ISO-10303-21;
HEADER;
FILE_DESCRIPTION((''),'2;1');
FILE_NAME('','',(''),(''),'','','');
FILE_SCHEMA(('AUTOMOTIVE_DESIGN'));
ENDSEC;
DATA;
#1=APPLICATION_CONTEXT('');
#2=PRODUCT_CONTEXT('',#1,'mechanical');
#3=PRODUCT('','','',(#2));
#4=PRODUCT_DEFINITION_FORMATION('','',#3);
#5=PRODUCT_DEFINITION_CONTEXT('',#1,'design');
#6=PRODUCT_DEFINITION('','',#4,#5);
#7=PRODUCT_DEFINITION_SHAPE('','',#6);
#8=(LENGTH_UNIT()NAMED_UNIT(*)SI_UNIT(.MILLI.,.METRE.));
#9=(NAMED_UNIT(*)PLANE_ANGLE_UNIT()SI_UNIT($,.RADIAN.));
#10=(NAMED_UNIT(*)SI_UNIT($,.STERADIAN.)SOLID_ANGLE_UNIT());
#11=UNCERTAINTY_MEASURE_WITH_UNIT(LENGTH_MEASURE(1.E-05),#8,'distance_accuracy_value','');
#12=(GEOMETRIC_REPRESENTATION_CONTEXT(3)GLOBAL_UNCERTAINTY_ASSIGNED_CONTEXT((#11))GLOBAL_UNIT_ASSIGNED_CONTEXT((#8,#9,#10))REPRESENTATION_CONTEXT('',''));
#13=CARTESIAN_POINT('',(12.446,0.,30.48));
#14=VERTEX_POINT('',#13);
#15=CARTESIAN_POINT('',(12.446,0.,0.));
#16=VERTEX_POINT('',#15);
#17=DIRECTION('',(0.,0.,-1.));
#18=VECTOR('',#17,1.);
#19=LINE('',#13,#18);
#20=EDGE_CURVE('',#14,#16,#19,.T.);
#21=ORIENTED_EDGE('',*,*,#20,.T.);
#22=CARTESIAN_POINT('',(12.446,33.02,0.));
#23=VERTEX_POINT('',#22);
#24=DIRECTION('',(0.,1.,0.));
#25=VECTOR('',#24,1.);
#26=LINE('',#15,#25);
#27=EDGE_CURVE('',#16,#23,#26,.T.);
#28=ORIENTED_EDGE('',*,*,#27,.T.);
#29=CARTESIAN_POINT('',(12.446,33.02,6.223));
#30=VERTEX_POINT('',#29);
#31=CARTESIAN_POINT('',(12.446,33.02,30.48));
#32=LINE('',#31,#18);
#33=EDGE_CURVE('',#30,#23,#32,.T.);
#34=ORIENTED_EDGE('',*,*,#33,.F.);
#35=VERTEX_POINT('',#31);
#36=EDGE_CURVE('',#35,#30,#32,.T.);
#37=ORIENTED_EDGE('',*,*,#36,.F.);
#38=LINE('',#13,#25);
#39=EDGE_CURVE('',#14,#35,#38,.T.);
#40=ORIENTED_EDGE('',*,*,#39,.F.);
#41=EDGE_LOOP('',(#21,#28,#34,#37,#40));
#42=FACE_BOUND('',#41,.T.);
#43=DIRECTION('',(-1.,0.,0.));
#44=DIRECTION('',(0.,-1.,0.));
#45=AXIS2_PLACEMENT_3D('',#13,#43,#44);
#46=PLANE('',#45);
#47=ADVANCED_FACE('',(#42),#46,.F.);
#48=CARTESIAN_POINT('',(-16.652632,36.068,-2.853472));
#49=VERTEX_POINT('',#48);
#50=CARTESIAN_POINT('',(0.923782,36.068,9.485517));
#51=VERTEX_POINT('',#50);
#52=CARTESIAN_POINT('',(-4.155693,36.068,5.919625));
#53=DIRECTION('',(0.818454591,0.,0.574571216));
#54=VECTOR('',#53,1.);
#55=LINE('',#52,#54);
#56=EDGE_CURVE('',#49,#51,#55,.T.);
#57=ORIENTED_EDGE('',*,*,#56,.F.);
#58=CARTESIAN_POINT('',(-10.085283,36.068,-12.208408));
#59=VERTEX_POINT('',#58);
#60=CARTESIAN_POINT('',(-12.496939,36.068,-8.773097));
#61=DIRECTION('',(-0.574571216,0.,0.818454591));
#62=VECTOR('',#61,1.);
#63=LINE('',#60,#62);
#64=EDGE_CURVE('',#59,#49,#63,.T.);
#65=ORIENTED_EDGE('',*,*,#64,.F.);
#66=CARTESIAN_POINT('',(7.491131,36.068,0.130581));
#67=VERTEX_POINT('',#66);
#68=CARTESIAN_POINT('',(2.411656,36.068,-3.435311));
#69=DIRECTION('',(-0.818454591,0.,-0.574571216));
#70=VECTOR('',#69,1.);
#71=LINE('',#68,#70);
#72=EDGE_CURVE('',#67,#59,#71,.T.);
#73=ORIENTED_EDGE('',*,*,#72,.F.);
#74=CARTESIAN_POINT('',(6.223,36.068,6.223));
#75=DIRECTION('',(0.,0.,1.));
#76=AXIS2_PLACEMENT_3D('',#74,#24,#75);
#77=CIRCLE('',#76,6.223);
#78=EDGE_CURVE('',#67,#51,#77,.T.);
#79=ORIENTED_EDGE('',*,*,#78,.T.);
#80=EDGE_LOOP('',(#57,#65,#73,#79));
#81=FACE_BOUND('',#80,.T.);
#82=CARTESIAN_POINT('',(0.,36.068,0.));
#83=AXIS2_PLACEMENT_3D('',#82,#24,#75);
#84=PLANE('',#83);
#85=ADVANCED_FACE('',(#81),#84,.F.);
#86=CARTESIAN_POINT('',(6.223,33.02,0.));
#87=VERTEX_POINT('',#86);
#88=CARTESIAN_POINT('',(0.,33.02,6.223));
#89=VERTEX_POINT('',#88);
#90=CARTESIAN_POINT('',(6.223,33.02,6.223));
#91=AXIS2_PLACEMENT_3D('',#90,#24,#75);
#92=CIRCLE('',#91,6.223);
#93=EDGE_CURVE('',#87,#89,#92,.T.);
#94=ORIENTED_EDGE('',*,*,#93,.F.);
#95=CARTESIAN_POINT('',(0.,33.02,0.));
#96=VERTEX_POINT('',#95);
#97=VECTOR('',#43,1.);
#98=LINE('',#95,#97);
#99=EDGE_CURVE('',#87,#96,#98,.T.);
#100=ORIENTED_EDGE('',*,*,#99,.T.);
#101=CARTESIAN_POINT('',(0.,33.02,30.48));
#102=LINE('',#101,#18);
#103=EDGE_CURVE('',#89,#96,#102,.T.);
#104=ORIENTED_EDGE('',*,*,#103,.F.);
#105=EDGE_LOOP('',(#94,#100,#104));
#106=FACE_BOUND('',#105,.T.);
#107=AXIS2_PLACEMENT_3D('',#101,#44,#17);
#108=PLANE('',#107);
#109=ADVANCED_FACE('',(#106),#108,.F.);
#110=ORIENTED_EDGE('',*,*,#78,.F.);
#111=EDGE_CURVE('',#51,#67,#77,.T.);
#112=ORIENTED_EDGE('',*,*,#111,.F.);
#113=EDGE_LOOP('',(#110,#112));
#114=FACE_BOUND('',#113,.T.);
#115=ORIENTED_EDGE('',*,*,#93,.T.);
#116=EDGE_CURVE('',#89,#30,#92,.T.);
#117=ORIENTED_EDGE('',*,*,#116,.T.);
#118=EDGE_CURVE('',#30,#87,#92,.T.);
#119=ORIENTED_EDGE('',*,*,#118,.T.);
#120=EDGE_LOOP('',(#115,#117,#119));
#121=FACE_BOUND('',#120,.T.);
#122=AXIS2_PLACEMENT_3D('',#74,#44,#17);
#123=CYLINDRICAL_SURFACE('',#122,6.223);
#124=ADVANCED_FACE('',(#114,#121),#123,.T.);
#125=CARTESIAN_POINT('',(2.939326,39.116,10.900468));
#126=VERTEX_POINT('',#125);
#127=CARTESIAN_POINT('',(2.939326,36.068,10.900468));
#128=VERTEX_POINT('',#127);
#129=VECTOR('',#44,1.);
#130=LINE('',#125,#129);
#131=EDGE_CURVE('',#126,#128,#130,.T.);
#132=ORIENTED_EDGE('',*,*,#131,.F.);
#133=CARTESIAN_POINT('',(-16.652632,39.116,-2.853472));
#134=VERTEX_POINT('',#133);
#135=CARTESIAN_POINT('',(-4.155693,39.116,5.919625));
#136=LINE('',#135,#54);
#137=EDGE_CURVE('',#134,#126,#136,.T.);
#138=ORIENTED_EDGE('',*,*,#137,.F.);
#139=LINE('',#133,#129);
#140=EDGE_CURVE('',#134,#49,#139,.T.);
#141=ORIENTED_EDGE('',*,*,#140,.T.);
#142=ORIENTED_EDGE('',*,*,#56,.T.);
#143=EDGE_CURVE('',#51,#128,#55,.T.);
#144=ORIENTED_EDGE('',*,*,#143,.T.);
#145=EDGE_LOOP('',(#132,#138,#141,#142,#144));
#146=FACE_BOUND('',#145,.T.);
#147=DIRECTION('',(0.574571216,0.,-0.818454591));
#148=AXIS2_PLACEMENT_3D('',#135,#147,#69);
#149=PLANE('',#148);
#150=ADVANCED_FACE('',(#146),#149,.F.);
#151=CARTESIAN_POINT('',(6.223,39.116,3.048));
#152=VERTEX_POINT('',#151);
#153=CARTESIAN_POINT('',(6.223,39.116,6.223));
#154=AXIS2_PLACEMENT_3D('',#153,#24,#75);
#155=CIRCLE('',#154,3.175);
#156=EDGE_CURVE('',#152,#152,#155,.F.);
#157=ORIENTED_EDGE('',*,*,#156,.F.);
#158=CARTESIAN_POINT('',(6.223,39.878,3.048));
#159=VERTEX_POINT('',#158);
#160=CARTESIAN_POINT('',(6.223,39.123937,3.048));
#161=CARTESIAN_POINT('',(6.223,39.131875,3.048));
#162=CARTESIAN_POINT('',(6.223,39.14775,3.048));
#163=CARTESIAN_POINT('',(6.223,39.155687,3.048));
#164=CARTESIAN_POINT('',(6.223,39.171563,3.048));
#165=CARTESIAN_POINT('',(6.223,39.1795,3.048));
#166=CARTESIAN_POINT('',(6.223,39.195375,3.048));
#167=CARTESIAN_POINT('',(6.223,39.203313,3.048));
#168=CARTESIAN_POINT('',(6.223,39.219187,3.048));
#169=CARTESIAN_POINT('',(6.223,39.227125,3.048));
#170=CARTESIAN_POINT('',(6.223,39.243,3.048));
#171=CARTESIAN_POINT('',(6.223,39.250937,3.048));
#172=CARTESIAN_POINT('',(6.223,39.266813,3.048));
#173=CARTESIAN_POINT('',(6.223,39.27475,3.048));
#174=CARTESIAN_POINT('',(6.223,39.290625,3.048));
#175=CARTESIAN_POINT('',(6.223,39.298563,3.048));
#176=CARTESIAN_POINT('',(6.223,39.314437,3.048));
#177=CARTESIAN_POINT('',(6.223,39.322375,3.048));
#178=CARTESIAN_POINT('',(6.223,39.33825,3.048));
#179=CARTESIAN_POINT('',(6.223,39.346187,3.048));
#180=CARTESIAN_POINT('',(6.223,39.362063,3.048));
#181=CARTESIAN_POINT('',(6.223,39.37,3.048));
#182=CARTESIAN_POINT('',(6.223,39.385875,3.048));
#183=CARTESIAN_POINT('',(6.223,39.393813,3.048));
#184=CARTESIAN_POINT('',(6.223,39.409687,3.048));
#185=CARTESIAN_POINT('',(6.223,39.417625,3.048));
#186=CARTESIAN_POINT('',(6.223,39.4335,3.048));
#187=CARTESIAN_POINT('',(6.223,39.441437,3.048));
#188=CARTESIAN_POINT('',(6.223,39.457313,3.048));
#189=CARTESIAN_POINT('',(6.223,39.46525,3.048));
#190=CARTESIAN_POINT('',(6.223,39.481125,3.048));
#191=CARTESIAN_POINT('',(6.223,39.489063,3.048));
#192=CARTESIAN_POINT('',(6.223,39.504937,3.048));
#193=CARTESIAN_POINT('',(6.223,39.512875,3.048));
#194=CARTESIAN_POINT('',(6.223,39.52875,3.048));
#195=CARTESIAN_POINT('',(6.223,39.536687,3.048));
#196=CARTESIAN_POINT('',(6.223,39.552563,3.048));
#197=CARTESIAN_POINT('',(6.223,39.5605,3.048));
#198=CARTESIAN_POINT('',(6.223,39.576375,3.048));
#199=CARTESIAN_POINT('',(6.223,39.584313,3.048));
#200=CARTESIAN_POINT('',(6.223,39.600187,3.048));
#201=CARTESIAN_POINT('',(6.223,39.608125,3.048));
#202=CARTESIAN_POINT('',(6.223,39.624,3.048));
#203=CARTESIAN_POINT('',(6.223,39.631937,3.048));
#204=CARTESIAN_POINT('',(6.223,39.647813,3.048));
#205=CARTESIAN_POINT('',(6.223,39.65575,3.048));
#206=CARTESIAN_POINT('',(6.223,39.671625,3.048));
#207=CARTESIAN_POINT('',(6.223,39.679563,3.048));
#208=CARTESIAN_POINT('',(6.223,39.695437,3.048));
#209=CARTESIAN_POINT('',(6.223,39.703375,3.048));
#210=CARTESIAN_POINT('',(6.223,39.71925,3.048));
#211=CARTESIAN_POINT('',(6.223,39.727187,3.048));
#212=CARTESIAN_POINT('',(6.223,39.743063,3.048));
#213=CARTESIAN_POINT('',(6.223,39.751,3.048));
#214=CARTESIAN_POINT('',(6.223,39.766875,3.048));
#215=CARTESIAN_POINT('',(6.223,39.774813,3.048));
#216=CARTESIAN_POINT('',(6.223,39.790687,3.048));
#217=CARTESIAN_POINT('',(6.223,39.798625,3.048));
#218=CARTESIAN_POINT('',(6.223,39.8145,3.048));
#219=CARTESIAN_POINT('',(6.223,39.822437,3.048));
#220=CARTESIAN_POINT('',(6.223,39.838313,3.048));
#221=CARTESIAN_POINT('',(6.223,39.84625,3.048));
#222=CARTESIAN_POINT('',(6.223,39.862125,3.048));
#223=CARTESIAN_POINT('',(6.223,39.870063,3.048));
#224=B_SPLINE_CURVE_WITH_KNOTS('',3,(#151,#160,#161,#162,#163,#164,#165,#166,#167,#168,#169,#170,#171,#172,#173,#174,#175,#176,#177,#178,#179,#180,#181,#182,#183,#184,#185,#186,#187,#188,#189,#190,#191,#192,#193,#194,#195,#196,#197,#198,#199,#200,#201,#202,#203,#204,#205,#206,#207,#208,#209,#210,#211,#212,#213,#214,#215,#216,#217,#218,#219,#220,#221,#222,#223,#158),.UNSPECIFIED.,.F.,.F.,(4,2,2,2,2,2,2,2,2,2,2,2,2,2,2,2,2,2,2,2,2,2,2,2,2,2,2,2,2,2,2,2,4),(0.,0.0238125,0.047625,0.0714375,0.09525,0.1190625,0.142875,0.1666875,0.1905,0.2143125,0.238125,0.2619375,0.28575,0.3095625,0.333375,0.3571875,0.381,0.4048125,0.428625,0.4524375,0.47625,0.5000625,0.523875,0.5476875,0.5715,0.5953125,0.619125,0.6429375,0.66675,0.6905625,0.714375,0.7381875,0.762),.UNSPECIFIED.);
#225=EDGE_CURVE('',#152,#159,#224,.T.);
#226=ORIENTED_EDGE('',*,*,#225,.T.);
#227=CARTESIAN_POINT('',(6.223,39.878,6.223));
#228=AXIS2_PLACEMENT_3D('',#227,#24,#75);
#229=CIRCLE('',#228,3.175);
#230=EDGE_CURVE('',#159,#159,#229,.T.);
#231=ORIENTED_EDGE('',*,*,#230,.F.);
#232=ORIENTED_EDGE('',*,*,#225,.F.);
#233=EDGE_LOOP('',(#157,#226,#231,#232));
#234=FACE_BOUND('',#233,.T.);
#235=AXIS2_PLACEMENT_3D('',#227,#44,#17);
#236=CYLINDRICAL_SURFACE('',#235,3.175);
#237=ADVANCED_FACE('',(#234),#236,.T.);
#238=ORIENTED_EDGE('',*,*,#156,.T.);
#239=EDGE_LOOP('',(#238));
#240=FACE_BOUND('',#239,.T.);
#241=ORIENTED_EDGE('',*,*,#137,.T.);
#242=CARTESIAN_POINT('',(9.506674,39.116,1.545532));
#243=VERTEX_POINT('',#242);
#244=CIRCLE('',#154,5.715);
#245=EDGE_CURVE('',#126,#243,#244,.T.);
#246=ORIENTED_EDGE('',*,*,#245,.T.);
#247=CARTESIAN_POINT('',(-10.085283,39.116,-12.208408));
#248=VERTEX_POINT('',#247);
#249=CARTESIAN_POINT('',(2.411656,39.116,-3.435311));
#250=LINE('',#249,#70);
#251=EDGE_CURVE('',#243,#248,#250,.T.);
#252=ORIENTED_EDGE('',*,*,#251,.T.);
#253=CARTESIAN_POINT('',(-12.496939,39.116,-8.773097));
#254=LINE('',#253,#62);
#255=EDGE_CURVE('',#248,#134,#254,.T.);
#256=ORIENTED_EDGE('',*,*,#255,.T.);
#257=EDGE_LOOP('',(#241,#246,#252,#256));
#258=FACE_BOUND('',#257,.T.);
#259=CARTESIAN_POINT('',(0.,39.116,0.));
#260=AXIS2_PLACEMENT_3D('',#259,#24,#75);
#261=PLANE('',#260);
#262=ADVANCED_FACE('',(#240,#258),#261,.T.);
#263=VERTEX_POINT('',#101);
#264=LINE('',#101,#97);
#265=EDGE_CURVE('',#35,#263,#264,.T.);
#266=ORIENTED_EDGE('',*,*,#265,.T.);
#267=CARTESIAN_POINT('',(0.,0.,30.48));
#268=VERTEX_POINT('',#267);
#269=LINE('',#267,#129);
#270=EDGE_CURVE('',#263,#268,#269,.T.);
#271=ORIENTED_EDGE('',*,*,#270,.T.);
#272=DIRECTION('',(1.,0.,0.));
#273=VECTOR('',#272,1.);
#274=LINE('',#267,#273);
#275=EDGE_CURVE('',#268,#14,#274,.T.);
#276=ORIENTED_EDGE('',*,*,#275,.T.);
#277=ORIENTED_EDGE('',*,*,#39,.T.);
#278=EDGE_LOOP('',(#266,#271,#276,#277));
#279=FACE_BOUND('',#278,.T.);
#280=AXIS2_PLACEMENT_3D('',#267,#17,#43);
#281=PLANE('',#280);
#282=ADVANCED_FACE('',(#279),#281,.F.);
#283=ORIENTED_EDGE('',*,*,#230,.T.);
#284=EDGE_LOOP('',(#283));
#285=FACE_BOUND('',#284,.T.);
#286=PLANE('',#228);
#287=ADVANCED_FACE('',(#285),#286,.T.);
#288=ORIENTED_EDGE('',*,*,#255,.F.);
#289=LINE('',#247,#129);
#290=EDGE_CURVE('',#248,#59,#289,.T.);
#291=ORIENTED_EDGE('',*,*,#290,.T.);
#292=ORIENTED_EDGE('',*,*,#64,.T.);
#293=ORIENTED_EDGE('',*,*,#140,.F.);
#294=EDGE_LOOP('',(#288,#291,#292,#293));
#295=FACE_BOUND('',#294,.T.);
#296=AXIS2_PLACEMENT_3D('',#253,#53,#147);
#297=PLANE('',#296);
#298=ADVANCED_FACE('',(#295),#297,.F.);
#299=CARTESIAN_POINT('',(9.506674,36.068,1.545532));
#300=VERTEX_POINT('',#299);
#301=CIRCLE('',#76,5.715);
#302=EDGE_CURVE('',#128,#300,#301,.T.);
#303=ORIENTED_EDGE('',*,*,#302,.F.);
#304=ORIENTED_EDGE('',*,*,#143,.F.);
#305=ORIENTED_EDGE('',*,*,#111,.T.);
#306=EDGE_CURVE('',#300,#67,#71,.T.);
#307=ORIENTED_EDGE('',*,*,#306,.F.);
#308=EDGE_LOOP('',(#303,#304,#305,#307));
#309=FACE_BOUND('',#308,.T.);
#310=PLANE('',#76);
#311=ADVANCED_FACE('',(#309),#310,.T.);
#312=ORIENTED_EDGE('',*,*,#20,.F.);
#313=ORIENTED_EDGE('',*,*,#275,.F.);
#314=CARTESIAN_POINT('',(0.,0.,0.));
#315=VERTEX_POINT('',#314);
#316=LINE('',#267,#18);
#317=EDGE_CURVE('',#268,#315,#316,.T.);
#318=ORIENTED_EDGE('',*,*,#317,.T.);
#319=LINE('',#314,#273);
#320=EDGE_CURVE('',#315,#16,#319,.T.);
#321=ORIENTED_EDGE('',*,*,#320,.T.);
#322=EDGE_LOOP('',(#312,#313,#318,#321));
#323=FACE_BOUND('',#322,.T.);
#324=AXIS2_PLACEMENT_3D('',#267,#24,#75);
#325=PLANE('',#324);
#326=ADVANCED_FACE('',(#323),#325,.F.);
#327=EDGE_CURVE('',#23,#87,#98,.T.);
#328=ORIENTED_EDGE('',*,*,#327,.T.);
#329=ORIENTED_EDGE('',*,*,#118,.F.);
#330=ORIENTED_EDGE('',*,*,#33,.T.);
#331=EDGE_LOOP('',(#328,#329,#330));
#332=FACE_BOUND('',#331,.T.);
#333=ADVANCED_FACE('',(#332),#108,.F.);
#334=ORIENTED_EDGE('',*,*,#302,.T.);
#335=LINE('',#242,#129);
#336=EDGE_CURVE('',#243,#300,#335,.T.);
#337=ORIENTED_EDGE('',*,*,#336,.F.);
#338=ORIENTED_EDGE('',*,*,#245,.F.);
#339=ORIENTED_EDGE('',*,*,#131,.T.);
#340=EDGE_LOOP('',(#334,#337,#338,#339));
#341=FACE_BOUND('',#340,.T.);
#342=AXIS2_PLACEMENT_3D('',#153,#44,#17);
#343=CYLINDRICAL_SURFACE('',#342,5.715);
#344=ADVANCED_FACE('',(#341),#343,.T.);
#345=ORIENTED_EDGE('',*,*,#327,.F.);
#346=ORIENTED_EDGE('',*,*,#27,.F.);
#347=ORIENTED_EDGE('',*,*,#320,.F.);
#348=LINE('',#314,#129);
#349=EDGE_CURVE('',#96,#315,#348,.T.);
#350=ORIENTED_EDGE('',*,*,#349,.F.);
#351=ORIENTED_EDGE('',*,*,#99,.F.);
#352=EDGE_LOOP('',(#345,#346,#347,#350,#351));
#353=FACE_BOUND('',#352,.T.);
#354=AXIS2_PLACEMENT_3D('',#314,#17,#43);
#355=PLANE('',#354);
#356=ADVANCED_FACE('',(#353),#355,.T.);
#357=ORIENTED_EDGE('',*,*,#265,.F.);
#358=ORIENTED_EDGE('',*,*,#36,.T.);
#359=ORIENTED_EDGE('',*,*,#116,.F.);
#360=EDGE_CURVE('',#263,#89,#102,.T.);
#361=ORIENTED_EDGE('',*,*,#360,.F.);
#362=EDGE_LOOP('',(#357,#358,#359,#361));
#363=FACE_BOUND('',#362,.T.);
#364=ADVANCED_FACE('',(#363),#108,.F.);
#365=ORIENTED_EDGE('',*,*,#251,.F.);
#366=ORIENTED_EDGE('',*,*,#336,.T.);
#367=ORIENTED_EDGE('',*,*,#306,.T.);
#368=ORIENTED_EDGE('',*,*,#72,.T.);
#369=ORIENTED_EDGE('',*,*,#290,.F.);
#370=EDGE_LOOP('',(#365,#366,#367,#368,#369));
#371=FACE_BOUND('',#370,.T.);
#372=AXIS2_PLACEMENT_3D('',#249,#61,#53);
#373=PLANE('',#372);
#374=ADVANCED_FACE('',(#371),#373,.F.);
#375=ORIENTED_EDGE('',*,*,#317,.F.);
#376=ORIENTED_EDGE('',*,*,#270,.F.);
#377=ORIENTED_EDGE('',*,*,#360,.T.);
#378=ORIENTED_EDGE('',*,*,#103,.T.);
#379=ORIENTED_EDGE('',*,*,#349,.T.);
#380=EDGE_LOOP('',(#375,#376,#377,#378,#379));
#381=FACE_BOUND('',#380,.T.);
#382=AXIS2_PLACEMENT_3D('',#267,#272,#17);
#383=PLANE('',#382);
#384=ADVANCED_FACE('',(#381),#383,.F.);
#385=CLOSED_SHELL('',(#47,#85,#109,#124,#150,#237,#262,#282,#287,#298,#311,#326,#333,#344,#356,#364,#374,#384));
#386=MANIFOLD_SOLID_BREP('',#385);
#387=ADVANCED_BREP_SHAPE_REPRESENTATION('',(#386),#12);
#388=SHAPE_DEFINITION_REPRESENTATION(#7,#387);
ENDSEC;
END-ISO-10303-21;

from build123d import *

# Parameters (mm, degrees)
SKETCH1_W           = 12.446
SKETCH1_H           = 33.02
BOSS_EXTRUDE1_DEPTH = 30.48
SKETCH3_R           = 6.223
BOSS_EXTRUDE2_DEPTH = 3.048
SKETCH4_R           = 3.175
BOSS_EXTRUDE3_DEPTH = 3.81
SKETCH5_R           = 5.715
SKETCH5_R_2         = 3.175
BOSS_EXTRUDE5_DEPTH = 3.048


with BuildPart() as part:
    # Sketch1 → Boss-Extrude1 (new body)
    with BuildSketch(Plane.XY):
        with Locations((6.223, 16.51)):
            Rectangle(SKETCH1_W, SKETCH1_H)
    extrude(amount=BOSS_EXTRUDE1_DEPTH)

    # Sketch3 → Boss-Extrude2 (add)
    with BuildSketch(Plane(origin=(0, 33.02, 0), x_dir=(1, 0, 0), z_dir=(0, 1, 0))):
        with Locations(Location((6.223, -6.223, 0), (0, 0, 90))):
            Circle(SKETCH3_R)
    extrude(amount=BOSS_EXTRUDE2_DEPTH)

    # Sketch4 → Boss-Extrude3 (add)
    with BuildSketch(Plane(origin=(0, 36.068, 0), x_dir=(1, 0, 0), z_dir=(0, 1, 0))):
        with Locations(Location((6.223, -6.223, 0), (0, 0, 90))):
            Circle(SKETCH4_R)
    extrude(amount=BOSS_EXTRUDE3_DEPTH)

    # Sketch5 → Boss-Extrude5 (add)
    # profile 1 of 3: a face of its own
    with BuildSketch(Plane(origin=(0, 36.068, 0), x_dir=(1, 0, 0), z_dir=(0, 1, 0))):
        with Locations((6.223, -6.223)):
            Circle(SKETCH5_R)
        with Locations(Location((6.223, -6.223, 0), (0, 0, 90))):
            Circle(SKETCH5_R_2, mode=Mode.SUBTRACT)
    # profile 2 of 3: a face of its own
    with BuildSketch(Plane(origin=(0, 36.068, 0), x_dir=(1, 0, 0), z_dir=(0, 1, 0))):
        with BuildLine():
            ThreePointArc((0.923781736, -9.485516634), (1.129757079, -2.647443323), (7.491130735, -0.130580658))
            Line((7.491130735, -0.130580658), (-10.085283199, 12.208407524))
            Line((-10.085283199, 12.208407524), (-16.652632198, 2.853471548))
            Line((-16.652632198, 2.853471548), (0.923781736, -9.485516634))
        make_face()
    # profile 3 of 3: a face of its own
    with BuildSketch(Plane(origin=(0, 36.068, 0), x_dir=(1, 0, 0), z_dir=(0, 1, 0))):
        with BuildLine():
            ThreePointArc((2.9393255, -10.900467988), (1.545532012, -2.9393255), (9.5066745, -1.545532012))
            Line((9.5066745, -1.545532012), (7.491130735, -0.130580658))
            ThreePointArc((7.491130735, -0.130580658), (1.129757079, -2.647443323), (0.923781736, -9.485516634))
            Line((0.923781736, -9.485516634), (2.9393255, -10.900467988))
        make_face()
    extrude(amount=BOSS_EXTRUDE5_DEPTH)


solid = part.part
